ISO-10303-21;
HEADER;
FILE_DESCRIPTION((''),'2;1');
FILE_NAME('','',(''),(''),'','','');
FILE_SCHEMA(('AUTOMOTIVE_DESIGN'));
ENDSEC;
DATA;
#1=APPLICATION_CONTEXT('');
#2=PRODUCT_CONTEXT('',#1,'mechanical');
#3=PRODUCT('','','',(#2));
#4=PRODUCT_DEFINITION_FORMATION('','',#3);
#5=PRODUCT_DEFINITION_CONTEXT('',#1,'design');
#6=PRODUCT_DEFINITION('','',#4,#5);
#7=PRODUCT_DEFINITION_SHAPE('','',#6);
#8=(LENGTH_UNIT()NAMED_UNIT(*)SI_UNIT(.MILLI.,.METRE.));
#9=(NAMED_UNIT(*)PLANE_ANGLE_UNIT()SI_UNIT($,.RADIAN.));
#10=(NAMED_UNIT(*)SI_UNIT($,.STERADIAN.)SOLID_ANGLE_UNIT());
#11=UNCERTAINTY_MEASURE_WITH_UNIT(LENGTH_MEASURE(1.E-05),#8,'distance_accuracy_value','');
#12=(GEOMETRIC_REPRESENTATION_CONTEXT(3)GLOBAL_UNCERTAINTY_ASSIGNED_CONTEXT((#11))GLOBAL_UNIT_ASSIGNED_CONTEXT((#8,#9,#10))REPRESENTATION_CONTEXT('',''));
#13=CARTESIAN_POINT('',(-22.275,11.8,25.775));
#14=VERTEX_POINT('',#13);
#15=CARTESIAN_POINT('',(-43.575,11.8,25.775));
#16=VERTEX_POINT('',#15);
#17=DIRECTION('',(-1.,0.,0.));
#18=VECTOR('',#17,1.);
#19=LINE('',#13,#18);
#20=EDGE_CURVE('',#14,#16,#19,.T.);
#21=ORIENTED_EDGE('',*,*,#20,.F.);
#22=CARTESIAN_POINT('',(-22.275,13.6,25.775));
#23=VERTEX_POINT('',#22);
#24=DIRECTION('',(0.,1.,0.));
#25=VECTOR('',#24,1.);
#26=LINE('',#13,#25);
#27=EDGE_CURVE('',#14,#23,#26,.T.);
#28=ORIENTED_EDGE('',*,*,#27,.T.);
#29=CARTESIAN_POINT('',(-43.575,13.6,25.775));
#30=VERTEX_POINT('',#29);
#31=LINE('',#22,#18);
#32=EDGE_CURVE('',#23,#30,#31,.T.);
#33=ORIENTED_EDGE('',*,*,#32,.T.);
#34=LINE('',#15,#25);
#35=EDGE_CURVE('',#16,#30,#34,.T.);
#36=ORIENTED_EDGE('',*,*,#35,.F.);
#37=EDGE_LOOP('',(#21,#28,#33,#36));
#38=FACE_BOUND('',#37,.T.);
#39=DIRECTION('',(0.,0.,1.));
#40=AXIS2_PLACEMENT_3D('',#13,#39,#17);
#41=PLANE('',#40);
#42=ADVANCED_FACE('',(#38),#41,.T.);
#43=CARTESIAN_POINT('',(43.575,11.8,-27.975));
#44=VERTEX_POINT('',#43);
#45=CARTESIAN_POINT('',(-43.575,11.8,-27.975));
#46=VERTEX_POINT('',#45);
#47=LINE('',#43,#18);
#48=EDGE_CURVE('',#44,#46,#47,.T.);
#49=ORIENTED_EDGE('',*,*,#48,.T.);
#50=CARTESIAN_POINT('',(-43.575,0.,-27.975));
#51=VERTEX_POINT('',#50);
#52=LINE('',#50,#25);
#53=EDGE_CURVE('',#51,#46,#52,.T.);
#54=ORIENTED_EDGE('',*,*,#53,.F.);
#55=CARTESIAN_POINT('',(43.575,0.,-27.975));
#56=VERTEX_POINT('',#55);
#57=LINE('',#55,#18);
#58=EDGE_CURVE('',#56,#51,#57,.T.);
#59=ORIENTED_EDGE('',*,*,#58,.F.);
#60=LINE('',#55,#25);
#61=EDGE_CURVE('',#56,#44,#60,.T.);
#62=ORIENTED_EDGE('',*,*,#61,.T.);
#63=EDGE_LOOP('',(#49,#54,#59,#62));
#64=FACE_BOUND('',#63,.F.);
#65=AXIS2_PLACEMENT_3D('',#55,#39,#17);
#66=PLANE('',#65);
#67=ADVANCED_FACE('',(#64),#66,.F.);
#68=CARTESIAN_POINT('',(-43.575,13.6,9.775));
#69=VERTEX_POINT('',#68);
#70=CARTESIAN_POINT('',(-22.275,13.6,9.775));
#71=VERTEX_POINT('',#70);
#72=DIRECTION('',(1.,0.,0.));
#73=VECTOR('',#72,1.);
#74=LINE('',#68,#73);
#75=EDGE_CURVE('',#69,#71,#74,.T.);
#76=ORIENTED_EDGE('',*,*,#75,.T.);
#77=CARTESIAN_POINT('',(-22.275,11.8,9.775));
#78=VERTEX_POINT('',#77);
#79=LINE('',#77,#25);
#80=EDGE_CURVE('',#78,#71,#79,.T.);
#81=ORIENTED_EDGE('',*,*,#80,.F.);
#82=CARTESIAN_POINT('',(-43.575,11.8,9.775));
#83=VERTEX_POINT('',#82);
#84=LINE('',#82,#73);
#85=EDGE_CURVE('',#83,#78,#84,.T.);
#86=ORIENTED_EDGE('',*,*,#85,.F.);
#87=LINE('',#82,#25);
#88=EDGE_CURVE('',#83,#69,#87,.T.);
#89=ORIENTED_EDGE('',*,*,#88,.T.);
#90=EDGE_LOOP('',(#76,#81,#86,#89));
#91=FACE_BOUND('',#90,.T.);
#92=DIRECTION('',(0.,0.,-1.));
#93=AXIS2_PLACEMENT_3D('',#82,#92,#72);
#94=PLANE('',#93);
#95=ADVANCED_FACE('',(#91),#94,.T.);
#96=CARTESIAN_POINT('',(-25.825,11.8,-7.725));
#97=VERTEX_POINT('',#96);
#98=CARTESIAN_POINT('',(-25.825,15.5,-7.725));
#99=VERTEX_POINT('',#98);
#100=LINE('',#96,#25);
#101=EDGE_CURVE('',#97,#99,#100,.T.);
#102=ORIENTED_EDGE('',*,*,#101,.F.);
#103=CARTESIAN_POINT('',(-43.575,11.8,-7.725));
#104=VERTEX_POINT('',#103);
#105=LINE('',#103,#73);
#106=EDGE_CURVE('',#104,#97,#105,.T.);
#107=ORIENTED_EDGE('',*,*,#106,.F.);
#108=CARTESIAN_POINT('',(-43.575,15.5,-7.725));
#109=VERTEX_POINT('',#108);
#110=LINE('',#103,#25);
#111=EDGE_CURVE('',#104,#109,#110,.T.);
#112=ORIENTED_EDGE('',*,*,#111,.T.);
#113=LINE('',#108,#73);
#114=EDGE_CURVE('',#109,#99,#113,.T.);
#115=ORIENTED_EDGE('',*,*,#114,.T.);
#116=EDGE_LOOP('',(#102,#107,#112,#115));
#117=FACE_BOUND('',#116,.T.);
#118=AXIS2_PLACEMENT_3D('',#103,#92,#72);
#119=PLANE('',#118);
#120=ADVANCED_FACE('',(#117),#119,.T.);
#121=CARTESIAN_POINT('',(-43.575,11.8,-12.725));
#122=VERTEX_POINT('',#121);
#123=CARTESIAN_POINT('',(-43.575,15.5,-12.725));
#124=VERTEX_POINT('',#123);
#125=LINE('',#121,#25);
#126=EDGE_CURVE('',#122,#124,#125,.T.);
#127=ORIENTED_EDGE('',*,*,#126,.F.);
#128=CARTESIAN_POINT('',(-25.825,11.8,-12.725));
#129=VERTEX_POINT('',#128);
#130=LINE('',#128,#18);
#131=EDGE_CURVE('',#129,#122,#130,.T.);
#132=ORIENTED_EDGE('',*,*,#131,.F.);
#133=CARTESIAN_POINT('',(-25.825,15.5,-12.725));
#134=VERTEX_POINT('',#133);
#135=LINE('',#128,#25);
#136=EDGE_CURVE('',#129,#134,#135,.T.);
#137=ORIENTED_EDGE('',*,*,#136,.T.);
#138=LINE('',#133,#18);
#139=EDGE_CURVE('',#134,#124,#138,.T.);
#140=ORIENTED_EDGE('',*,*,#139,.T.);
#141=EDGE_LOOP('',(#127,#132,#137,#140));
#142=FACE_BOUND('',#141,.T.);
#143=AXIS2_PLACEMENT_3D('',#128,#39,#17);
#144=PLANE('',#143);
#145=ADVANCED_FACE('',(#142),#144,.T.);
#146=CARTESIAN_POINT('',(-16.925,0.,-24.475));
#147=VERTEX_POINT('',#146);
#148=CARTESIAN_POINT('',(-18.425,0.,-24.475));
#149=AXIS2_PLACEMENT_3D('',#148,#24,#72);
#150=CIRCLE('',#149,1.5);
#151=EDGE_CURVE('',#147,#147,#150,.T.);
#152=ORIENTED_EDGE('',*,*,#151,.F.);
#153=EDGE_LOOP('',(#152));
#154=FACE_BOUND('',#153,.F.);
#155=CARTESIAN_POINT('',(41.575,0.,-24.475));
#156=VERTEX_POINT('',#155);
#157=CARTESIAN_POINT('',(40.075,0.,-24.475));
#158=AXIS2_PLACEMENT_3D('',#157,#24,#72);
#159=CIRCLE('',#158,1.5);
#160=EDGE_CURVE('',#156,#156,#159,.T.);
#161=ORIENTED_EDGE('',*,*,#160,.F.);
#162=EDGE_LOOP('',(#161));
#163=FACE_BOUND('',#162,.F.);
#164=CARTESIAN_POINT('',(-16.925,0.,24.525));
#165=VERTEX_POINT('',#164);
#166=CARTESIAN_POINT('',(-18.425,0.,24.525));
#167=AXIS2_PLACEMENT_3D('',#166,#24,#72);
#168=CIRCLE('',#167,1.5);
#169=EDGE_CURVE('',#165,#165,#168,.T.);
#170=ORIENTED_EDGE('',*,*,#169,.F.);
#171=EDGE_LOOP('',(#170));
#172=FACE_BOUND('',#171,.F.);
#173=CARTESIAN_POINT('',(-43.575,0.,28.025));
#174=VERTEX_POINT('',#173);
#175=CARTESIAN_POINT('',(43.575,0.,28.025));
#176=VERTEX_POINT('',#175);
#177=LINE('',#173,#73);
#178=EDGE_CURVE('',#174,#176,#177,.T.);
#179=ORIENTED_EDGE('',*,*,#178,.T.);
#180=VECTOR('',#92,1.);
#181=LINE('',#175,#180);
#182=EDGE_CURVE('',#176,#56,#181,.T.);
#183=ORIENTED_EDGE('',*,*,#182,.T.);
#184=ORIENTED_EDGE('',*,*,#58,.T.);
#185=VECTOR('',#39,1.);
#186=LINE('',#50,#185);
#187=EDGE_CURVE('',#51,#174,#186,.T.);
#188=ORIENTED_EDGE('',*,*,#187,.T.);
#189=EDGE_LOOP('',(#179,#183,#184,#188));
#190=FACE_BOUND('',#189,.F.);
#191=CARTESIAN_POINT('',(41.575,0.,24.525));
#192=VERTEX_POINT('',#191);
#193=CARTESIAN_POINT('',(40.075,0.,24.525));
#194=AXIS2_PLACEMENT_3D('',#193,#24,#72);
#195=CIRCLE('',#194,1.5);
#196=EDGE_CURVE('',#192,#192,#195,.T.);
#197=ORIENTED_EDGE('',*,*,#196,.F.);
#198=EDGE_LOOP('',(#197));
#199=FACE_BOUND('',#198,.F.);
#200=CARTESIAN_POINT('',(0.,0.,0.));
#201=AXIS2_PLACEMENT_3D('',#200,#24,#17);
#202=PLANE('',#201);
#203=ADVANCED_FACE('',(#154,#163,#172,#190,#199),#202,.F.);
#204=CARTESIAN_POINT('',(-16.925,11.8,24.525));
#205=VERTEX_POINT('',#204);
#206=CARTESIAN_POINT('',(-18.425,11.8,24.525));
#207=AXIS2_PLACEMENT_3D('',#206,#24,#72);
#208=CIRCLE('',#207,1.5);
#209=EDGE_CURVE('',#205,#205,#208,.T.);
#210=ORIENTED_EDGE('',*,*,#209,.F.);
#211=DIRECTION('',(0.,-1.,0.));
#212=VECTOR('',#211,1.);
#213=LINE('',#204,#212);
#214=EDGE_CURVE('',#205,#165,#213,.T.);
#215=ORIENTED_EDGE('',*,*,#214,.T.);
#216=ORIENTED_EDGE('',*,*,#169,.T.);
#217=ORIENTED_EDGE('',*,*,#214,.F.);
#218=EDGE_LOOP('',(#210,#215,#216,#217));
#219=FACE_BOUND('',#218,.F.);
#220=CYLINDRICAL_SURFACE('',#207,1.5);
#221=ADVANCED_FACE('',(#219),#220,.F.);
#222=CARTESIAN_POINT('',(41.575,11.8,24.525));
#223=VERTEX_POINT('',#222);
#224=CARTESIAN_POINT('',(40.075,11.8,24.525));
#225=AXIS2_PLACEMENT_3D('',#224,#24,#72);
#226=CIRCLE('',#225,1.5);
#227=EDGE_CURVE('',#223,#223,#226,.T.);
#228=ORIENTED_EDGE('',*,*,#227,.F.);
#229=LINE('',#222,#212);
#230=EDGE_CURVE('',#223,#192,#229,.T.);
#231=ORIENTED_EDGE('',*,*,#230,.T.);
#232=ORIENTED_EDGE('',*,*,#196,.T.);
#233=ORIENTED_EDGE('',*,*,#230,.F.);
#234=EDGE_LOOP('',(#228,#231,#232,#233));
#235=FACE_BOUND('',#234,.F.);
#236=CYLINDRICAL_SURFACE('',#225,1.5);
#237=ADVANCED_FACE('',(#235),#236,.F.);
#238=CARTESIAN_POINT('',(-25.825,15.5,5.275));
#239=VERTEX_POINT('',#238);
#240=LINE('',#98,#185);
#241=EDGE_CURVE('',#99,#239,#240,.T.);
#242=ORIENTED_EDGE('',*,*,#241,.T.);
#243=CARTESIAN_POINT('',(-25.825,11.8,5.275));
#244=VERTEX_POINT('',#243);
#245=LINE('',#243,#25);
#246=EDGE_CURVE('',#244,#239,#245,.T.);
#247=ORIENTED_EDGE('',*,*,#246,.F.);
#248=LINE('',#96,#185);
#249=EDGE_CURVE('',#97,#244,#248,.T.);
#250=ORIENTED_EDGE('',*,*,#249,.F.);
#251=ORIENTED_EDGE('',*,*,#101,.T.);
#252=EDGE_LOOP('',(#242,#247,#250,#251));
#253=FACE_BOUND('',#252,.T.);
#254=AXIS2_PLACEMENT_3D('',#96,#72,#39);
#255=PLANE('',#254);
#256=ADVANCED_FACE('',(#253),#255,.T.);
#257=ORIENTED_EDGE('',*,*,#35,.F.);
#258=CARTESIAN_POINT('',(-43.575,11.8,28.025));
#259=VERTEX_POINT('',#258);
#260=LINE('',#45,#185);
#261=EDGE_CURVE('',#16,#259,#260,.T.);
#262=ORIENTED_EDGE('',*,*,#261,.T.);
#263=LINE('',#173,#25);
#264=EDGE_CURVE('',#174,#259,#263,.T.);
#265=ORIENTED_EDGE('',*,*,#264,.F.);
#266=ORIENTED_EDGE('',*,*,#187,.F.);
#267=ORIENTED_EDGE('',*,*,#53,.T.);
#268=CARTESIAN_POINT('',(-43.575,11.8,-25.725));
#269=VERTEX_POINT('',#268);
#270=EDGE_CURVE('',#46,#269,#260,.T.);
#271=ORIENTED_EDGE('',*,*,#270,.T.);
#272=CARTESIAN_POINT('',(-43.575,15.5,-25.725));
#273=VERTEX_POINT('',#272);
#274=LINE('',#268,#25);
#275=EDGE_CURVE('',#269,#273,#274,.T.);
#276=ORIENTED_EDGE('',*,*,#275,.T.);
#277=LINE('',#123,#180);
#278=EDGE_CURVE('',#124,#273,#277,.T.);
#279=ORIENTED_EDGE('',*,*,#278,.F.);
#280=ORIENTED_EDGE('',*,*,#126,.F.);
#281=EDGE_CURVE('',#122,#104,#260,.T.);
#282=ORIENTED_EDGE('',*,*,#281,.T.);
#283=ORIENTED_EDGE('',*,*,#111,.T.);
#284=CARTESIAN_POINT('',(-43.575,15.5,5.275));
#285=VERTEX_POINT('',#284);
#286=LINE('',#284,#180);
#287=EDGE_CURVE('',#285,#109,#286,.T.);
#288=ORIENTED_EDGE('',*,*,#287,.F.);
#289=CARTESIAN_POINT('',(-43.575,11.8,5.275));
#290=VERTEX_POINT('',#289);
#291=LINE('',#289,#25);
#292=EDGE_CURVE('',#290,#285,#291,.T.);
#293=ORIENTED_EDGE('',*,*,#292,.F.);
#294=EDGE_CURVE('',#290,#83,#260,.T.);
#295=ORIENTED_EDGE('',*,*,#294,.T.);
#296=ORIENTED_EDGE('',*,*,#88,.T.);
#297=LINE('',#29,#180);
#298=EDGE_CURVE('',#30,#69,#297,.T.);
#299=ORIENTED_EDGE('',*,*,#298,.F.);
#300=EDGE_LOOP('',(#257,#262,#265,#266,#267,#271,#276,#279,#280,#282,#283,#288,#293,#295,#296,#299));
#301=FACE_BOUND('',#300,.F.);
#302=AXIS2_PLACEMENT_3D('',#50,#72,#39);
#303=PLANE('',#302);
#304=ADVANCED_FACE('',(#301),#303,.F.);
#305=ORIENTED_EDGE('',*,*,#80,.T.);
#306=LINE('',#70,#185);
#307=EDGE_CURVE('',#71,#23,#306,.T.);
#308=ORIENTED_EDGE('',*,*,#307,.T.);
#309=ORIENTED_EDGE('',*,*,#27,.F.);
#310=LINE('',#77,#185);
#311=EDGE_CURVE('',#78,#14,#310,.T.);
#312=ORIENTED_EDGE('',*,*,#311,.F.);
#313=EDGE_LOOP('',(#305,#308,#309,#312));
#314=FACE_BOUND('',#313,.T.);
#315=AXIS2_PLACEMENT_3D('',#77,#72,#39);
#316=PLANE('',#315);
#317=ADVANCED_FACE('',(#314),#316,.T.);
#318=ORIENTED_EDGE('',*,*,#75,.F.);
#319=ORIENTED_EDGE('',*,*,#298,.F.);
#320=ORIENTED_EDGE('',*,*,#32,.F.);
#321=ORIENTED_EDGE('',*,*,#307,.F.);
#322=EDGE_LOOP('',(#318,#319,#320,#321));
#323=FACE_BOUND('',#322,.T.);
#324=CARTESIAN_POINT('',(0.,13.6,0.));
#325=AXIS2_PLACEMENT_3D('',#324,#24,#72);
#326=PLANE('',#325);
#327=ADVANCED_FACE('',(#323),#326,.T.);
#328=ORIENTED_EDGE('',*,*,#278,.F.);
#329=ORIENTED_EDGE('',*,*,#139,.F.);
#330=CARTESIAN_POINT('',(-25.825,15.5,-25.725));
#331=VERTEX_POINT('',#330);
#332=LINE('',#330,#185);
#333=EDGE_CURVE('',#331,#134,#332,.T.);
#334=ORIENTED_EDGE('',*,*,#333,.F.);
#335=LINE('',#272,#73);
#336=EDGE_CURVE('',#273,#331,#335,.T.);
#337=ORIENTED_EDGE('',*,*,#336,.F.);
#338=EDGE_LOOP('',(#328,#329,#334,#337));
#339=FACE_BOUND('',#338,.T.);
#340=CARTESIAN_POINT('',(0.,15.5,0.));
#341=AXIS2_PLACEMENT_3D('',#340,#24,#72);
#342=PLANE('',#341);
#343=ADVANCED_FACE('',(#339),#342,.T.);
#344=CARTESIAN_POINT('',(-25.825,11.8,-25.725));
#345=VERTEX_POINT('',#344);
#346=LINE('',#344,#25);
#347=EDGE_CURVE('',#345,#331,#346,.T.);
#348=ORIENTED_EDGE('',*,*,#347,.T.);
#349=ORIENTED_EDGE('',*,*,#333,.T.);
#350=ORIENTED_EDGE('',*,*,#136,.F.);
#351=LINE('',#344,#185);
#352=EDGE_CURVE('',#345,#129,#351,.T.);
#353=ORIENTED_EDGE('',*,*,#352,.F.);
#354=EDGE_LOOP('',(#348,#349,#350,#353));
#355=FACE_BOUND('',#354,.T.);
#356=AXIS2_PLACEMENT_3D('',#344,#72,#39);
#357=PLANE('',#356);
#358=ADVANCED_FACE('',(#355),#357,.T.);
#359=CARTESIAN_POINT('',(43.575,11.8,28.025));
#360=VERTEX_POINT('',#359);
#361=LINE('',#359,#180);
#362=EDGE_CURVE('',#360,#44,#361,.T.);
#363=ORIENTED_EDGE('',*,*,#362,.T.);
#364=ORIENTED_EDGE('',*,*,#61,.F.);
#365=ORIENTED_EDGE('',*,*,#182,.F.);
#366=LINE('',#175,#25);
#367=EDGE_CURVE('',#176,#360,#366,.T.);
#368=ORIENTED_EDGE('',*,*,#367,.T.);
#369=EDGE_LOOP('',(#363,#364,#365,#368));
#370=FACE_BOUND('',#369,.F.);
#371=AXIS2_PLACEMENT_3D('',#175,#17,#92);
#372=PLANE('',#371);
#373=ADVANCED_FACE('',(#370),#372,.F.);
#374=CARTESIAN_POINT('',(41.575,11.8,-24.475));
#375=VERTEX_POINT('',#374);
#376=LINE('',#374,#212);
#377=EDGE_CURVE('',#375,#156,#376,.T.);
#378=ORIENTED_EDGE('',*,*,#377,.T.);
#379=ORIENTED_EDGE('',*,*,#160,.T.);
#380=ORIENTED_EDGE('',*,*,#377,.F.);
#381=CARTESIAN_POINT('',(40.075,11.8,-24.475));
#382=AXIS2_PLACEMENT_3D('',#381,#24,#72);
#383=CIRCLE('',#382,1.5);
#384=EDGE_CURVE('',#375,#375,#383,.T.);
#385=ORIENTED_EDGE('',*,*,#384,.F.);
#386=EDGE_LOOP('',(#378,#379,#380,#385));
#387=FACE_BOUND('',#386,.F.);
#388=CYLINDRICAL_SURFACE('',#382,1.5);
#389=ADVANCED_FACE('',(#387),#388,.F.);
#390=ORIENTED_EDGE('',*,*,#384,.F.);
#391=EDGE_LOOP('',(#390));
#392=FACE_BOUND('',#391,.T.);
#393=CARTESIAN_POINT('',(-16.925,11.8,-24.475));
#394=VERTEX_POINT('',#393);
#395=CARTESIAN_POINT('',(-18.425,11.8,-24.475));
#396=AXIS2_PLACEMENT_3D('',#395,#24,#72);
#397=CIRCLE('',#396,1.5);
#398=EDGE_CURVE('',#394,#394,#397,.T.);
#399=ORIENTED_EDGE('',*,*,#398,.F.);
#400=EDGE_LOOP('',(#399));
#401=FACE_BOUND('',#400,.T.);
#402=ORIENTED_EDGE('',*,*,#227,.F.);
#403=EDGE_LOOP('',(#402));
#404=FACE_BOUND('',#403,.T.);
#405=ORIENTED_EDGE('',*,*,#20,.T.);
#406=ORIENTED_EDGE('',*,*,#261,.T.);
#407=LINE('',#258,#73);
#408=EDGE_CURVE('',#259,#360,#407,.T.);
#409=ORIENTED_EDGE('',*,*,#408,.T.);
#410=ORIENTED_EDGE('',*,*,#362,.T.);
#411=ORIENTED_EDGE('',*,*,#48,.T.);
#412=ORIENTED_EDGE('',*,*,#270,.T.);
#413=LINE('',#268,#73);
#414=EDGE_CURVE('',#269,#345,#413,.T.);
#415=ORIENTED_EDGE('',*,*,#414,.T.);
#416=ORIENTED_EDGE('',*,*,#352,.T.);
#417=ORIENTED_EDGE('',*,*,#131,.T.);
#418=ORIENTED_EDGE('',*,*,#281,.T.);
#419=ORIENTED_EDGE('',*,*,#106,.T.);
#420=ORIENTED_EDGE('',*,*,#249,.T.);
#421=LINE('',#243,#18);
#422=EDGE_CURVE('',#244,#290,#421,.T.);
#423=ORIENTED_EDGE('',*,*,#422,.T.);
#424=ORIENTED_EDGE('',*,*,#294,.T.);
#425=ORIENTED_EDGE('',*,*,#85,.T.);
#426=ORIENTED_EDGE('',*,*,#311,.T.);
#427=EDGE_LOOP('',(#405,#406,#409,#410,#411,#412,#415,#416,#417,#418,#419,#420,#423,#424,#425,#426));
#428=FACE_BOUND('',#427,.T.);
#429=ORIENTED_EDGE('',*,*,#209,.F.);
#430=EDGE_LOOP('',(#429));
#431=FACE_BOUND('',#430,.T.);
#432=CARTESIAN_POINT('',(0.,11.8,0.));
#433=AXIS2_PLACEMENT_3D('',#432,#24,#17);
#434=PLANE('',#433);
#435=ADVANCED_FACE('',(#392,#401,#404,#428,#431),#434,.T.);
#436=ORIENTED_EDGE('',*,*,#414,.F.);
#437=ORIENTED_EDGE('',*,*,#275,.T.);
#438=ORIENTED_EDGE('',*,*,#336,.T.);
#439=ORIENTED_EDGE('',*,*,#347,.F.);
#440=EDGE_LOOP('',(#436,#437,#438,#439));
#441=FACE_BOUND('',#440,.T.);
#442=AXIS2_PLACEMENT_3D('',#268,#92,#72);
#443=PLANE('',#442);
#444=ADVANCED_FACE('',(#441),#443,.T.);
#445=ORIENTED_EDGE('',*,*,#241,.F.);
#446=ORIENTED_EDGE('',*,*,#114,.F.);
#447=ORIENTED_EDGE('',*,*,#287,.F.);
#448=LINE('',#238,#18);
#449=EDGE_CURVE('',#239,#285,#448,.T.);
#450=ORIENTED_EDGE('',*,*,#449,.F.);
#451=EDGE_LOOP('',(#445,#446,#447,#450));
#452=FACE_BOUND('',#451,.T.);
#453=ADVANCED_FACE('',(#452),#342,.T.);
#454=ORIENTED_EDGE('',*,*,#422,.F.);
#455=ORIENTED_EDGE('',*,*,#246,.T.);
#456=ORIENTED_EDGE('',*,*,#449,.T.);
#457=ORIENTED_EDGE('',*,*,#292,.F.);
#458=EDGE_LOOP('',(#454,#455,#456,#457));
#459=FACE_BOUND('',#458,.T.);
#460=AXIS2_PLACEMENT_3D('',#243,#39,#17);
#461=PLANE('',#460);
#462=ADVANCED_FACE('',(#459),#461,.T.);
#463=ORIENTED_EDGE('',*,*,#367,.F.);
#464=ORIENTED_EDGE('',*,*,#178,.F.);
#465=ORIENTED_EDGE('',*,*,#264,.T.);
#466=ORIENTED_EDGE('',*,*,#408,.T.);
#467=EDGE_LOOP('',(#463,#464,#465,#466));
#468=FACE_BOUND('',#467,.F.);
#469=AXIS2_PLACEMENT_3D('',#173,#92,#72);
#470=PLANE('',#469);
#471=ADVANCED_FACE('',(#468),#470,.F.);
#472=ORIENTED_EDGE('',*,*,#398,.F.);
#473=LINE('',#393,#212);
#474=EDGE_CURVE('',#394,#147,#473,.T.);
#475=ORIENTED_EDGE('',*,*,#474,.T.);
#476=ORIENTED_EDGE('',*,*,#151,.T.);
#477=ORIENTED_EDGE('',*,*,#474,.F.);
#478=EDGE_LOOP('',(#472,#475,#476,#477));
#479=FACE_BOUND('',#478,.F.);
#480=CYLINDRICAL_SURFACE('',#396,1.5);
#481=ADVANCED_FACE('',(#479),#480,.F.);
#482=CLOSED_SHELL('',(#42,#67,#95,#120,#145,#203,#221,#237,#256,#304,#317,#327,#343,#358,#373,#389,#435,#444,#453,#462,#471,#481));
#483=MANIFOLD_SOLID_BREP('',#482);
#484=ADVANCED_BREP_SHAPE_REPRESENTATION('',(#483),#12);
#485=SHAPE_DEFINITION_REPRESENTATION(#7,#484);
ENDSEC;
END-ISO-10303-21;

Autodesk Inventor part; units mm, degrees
ref_plane "YZ Plane" through (0, 0, 0) normal (1, 0, 0) x (0, 1, 0)
ref_plane "XZ Plane" through (0, 0, 0) normal (0, 1, 0) x (-1, 0, 0)
ref_plane "XY Plane" through (0, 0, 0) normal (0, 0, 1) x (1, 0, 0)
sketch "Sketch1" plane through (0, 0, 0) normal (0, 1, 0) x (-1, 0, 0)
  line L0 (43.575, 28.025) -> (-43.575, 28.025)
  line L1 (-43.575, 28.025) -> (-43.575, -27.975)
  line L2 (-43.575, -27.975) -> (43.575, -27.975)
  line L3 (43.575, -27.975) -> (43.575, 28.025)
  point P0 (0, 0)
  dimension "d0" = 87.15
  dimension "d1" = 56
  dimension "d2" = 27.975
  dimension "d3" = 43.575
extrude "Extrusion1" add sketch "Sketch1" along normal blind 11.8
sketch "Sketch4" plane through (0, 11.8, 0) normal (0, 1, 0) x (1, 0, 0)
  line L0 (-43.575, 25.725) -> (-25.825, 25.725)
  line L1 (-25.825, 25.725) -> (-25.825, 12.725)
  line L2 (-25.825, 12.725) -> (-43.575, 12.725)
  line L3 (-43.575, 12.725) -> (-43.575, 25.725)
  line L4 (-43.575, 7.725) -> (-25.825, 7.725)
  line L5 (-25.825, 7.725) -> (-25.825, -5.275)
  line L6 (-25.825, -5.275) -> (-43.575, -5.275)
  line L7 (-43.575, -5.275) -> (-43.575, 7.725)
  line L8 (43.575, 27.975) -> (-43.575, 27.975) projected
  line L9 (-43.575, 27.975) -> (-43.575, -28.025) projected
  point P0 (0, 0)
  dimension "d12" = 17.75
  dimension "d13" = 13
  dimension "d14" = 5
  dimension "d15" = 13
  dimension "d16" = 17.75
  dimension "d43" = 2.25
extrude "Extrusion2" add sketch "Sketch4" along normal blind 3.7
sketch "Sketch6" plane through (0, 11.8, 0) normal (0, 1, 0) x (1, 0, 0)
  line L0 (-43.575, -9.775) -> (-22.275, -9.775)
  line L1 (-22.275, -9.775) -> (-22.275, -25.775)
  line L2 (-22.275, -25.775) -> (-43.575, -25.775)
  line L3 (-43.575, -25.775) -> (-43.575, -9.775)
  line L4 (-43.575, 25.725) -> (-25.825, 25.725) projected
  line L5 (-43.575, 27.975) -> (-43.575, 25.725) projected
  line L6 (-43.575, -5.275) -> (-25.825, -5.275) projected
  point P0 (0, 0)
  dimension "d19" = 16
  dimension "d20" = 21.3
  dimension "d22" = 0
  dimension "d44" = 4.5
extrude "Extrusion3" add sketch "Sketch6" along normal blind 1.8
sketch "Sketch10" plane through (43.575, 0, 28.025) normal (1, 0, 0) x (0, 0, -1)
  point P0 (28.025, 0)
sketch "Sketch11" plane through (0, 11.8, 0) normal (0, 1, 0) x (1, 0, 0)
  circle A0 centre (-18.425, -24.525) radius 1.5
  circle A1 centre (-18.425, 24.475) radius 1.5
  circle A2 centre (40.075, -24.525) radius 1.5
  circle A3 centre (40.075, 24.475) radius 1.5
  line L0 (-43.575, -5.275) -> (-43.575, -9.775) projected
  line L1 (-43.575, 27.975) -> (-43.575, 25.725) projected
  line L2 (-43.575, -28.025) -> (43.575, -28.025) projected
  line L3 (43.575, -28.025) -> (43.575, 27.975) projected
  line L4 (43.575, 27.975) -> (-43.575, 27.975) projected
  point P0 (0, 0)
  dimension "d45" = 3
  dimension "d46" = 3
  dimension "d47" = 3
  dimension "d48" = 3
  dimension "d50" = 58.5
  dimension "d51" = 58.5
  dimension "d55" = 3.5
  dimension "d56" = 3.5
  dimension "d59" = 3.5
  dimension "d60" = 3.5
  dimension "d61" = 3.5
  dimension "d62" = 3.5
extrude "Extrusion7" cut sketch "Sketch11" against normal through all
properties part number "RaspPi_Model"
